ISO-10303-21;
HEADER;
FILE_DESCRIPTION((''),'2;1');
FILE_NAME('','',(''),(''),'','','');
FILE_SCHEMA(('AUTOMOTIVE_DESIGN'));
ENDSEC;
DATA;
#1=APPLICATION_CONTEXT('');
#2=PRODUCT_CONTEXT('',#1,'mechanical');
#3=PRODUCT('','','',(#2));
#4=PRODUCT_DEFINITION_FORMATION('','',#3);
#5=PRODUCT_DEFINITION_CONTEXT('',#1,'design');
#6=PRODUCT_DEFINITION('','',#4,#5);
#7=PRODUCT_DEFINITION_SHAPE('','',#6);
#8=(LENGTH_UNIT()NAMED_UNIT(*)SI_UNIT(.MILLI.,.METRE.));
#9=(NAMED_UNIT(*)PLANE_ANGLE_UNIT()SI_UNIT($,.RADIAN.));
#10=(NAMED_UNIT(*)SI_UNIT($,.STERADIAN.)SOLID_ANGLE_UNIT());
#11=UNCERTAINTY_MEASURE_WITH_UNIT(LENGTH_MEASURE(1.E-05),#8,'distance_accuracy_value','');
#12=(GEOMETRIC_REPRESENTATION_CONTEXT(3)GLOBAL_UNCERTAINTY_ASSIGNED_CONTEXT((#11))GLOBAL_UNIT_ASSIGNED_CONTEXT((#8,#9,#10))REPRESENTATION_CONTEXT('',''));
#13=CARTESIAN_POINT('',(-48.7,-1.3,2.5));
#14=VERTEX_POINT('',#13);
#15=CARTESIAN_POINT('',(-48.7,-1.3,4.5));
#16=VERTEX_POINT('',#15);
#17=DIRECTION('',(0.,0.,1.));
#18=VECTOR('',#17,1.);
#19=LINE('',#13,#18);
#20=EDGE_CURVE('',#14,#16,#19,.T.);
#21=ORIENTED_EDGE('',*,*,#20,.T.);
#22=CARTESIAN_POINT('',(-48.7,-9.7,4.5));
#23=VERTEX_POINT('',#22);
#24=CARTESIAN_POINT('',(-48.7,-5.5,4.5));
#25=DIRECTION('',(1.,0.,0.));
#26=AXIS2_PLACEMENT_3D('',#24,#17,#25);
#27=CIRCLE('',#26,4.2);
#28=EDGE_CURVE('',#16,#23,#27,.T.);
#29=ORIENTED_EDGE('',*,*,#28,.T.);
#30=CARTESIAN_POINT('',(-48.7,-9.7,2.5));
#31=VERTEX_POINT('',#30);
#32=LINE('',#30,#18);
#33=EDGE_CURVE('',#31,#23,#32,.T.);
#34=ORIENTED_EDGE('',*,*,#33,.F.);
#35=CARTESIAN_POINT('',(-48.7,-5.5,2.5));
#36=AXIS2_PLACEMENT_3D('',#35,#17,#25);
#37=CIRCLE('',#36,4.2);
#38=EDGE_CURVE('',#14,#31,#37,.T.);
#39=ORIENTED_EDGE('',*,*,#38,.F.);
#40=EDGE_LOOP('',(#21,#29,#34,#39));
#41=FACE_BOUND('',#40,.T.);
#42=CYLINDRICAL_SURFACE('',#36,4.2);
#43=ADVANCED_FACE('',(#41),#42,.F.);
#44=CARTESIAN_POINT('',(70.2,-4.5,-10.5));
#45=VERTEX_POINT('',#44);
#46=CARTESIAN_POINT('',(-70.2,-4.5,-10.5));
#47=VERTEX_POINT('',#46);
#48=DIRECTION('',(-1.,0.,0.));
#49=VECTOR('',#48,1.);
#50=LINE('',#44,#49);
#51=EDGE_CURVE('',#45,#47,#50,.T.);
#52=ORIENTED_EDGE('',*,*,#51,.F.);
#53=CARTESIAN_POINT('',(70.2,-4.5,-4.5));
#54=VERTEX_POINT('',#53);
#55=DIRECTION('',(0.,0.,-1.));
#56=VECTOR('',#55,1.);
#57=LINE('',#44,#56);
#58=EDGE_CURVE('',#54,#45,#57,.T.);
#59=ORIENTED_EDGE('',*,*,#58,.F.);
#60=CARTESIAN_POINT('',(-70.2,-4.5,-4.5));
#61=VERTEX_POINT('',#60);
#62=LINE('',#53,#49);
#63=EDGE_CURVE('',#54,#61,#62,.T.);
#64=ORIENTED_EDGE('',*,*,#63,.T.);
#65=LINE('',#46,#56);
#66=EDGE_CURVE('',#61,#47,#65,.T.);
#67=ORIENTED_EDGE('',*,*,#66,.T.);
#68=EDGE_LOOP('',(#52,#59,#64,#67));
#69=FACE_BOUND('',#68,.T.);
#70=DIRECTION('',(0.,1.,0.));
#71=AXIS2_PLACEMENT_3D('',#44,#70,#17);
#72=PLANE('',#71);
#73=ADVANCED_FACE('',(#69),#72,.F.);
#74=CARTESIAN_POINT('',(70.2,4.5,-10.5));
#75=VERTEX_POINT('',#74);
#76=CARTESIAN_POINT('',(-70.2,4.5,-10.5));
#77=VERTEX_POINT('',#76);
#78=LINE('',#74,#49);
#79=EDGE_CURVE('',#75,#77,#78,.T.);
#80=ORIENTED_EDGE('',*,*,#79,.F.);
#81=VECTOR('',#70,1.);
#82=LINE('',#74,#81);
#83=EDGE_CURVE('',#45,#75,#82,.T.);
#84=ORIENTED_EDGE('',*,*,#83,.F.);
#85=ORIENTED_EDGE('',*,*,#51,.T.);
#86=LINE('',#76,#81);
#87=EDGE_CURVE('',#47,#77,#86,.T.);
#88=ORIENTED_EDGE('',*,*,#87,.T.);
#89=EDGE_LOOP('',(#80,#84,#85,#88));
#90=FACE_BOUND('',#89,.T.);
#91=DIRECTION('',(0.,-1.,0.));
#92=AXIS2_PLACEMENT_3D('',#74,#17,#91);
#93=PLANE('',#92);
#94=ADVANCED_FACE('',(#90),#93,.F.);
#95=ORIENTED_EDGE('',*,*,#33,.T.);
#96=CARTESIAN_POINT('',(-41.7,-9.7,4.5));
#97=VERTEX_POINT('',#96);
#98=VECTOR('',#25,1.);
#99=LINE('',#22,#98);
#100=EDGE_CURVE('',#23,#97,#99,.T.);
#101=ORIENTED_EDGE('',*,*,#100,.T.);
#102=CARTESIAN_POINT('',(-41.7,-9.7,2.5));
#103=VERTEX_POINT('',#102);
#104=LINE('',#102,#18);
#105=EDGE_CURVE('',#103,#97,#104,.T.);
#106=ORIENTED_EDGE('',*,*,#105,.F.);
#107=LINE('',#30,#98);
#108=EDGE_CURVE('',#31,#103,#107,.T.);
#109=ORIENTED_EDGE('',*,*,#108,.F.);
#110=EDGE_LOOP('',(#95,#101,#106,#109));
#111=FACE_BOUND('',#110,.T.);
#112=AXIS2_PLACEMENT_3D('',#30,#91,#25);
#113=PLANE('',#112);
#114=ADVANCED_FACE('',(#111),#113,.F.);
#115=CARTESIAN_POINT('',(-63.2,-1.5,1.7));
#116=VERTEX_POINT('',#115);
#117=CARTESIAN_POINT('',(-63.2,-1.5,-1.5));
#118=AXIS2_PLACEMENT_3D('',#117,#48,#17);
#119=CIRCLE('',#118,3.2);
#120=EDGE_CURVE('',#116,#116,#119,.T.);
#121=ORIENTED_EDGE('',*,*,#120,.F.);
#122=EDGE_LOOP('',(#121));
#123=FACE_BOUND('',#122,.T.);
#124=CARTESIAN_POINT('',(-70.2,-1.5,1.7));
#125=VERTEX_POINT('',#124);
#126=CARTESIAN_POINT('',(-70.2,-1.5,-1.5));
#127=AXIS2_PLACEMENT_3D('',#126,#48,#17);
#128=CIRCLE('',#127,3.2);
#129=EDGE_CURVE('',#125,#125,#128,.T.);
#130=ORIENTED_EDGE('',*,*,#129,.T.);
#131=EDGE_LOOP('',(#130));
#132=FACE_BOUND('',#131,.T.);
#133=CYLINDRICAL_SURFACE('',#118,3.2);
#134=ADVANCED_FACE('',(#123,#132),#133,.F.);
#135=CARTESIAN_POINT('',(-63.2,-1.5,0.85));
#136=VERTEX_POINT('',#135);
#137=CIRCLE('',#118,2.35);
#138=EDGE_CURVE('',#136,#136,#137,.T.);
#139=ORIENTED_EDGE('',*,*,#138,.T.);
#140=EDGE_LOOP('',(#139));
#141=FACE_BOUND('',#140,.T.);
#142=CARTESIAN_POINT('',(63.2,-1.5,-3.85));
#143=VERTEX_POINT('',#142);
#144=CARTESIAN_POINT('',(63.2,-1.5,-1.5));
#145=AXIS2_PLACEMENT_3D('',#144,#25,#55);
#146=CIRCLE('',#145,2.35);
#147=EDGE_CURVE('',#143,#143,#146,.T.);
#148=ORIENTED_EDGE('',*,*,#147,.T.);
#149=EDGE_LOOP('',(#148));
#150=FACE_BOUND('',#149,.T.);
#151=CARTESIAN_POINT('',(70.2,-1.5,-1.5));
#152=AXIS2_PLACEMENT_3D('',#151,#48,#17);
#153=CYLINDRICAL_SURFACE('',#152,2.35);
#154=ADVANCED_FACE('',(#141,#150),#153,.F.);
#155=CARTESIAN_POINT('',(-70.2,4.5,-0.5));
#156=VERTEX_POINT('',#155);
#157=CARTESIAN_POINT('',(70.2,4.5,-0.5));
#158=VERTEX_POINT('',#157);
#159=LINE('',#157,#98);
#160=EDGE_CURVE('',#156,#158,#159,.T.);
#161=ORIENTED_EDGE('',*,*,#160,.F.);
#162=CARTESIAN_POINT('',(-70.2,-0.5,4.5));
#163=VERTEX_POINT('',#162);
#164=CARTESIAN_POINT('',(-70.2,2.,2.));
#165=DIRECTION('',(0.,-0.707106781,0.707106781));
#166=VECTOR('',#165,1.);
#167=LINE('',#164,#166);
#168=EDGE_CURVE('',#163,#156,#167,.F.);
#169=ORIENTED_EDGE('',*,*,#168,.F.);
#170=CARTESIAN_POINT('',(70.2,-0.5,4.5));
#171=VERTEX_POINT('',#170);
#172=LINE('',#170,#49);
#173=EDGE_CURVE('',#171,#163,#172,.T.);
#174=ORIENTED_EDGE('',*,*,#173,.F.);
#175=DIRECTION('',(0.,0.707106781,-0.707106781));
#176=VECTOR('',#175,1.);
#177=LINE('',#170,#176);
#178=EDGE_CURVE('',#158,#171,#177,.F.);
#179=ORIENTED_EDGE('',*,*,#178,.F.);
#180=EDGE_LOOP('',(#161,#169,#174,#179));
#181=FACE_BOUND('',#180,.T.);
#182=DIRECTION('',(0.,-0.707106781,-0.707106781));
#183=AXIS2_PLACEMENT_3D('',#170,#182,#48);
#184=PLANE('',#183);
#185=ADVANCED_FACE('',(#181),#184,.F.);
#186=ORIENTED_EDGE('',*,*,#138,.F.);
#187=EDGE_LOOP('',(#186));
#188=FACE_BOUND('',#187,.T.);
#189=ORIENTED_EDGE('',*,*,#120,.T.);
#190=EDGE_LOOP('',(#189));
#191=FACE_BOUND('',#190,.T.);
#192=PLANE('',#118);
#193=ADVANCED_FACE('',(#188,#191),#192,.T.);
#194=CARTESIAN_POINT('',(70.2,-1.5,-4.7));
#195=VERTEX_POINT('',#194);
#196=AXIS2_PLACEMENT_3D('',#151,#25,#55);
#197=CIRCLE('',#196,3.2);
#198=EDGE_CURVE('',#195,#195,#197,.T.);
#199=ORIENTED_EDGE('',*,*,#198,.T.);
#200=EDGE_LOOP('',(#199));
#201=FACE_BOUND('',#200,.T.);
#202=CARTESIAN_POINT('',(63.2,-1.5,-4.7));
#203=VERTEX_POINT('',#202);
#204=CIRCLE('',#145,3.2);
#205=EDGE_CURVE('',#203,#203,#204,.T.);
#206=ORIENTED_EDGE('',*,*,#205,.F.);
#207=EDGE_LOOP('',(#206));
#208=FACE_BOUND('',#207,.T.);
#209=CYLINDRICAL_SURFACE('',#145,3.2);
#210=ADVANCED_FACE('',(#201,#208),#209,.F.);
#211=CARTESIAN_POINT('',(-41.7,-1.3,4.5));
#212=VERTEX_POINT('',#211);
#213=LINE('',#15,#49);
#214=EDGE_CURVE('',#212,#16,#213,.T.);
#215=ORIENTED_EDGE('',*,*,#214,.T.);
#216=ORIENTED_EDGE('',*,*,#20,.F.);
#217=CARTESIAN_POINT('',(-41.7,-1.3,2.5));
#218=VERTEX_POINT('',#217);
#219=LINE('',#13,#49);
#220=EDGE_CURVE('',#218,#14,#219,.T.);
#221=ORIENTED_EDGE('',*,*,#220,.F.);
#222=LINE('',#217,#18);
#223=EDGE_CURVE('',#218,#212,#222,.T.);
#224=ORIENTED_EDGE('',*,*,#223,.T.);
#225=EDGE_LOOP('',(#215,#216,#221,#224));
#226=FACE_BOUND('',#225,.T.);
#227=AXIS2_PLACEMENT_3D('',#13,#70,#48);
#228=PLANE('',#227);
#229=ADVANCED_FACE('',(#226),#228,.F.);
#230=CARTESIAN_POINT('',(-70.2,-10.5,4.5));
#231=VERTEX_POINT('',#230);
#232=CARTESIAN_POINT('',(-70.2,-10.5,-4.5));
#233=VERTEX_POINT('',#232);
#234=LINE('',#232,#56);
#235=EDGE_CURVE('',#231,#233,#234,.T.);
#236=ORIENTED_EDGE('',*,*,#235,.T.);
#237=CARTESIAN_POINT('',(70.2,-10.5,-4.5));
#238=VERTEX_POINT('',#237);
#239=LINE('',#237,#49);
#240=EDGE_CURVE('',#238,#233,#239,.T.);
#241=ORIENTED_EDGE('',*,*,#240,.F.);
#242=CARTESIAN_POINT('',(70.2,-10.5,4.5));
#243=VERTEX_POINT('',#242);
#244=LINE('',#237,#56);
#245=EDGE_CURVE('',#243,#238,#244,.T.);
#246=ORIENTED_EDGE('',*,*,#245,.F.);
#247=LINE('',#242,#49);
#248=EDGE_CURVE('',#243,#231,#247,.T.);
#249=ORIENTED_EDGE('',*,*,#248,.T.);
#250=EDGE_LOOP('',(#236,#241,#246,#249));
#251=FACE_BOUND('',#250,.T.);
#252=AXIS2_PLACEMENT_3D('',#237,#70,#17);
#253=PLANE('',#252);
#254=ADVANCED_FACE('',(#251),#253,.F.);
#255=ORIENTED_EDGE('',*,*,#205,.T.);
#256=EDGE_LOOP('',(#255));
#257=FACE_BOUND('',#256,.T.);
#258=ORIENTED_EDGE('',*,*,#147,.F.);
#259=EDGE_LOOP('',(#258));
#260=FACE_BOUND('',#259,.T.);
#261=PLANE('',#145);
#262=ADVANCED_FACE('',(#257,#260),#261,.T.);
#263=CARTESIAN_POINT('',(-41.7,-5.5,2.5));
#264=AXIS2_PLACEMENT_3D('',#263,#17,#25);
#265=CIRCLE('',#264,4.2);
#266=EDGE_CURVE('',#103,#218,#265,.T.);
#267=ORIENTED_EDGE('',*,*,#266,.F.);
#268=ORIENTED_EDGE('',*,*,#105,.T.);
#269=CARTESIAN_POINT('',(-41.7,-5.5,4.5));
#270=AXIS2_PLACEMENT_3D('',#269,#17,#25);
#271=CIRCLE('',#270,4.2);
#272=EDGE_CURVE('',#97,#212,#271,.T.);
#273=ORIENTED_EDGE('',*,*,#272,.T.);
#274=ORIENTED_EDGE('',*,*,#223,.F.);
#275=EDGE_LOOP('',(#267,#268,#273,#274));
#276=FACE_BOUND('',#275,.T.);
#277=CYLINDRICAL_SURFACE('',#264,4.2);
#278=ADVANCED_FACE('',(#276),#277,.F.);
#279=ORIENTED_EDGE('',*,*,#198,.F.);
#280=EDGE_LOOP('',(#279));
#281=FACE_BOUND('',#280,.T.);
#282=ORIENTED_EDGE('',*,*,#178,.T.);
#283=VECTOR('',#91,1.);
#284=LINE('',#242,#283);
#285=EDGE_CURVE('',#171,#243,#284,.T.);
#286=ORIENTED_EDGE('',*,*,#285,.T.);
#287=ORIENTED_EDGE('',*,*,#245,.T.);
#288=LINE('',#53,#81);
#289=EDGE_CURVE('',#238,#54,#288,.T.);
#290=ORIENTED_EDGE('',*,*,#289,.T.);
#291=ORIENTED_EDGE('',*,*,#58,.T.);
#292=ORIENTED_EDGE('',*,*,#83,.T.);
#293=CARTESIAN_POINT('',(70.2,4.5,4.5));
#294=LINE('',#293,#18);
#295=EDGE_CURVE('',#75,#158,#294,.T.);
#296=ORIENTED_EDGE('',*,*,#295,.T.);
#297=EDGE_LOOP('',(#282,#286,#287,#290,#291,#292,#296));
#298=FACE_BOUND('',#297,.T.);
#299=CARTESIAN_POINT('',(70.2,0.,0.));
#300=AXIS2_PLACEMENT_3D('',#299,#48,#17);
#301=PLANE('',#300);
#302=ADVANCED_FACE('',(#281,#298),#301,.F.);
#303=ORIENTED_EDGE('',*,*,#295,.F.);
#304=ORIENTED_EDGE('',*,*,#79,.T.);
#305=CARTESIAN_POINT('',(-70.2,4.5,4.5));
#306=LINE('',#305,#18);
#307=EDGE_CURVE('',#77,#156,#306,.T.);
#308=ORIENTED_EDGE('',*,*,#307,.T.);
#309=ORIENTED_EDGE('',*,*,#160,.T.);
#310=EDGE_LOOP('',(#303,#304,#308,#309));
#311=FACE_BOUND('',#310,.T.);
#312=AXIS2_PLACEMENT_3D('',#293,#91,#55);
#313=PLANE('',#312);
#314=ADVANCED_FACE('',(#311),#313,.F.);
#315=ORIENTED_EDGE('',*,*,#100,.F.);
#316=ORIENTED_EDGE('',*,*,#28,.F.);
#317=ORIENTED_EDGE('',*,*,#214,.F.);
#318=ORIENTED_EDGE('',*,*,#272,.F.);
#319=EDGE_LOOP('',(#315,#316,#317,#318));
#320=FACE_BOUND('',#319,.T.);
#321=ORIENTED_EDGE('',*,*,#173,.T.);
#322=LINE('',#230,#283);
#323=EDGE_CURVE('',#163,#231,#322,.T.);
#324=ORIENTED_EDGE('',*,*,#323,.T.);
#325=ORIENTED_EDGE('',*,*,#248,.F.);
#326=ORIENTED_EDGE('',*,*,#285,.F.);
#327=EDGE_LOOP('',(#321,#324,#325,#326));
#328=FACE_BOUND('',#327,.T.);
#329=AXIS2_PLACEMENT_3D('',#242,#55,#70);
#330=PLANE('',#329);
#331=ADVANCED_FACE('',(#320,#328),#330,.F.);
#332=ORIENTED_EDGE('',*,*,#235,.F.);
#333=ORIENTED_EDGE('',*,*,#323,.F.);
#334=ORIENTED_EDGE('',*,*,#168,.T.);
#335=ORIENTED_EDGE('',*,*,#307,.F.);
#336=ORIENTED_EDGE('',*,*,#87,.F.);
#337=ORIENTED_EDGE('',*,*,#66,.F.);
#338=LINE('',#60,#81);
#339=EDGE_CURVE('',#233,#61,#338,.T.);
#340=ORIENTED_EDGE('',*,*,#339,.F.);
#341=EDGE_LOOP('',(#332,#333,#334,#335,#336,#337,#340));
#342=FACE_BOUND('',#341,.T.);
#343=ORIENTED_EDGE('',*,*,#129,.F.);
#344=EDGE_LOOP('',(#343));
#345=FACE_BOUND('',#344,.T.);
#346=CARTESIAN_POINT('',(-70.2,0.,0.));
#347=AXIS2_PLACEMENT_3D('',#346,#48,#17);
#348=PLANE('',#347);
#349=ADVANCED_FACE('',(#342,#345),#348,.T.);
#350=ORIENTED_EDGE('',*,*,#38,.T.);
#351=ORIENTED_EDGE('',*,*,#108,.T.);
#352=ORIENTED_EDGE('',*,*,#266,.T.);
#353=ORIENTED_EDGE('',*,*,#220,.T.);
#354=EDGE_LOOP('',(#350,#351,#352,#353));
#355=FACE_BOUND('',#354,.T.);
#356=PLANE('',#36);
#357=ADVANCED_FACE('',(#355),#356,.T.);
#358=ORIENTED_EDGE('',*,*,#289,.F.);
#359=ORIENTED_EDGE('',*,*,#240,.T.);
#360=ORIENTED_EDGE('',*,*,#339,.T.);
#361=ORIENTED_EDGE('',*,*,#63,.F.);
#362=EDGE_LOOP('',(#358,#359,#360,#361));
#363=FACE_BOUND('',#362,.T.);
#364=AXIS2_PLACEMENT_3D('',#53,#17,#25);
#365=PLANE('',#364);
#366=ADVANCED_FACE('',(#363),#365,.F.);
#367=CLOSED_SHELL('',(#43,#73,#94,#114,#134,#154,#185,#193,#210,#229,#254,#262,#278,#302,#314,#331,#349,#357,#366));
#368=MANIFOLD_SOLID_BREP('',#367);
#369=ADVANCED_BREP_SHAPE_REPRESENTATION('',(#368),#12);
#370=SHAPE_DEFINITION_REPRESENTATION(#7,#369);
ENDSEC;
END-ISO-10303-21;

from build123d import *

# Parameters (mm, degrees)
ESQUISSE3_R             = 2.35
BOSS_EXTRU_2_DEPTH      = 70.2
CHANFREIN1_SIZE         = 5
ESQUISSE6_R             = 3.2
ESQUISSE6_R_2           = 2.35
ENL_V_MAT_EXTRU_1_DEPTH = 7
ENL_V_START             = -7
ESQUISSE7_R             = 3.2
ESQUISSE7_R_2           = 2.35
ENL_V_MAT_EXTRU_2_DEPTH = 7
ENL_V_MAT_EXTRU_4_DEPTH = 2


with BuildPart() as part:
    # Esquisse3 → Boss.-Extru.2 (new, symmetric)
    with BuildSketch(Plane(origin=(0, 0, 0), x_dir=(0, 0, -1), z_dir=(1, 0, 0))):
        Polygon((-4.5, -10.5), (-4.5, 4.5), (10.5, 4.5), (10.5, -4.5), (4.5, -4.5), (4.5, -10.5), align=None)
        with Locations((1.5, -1.5)):
            Circle(ESQUISSE3_R, mode=Mode.SUBTRACT)
    extrude(amount=BOSS_EXTRU_2_DEPTH, both=True)

    # Chanfrein1
    chanfrein1_edges = [part.edges().sort_by_distance(p)[0] for p in [
        (0, 4.5, 4.5),
    ]]
    chamfer(chanfrein1_edges, length=CHANFREIN1_SIZE)

    # Esquisse6 → Enlèv. mat.-Extru.1 (cut)
    with BuildSketch(Plane.ZY.offset(70.2)):
        with Locations((-1.5, -1.5)):
            Circle(ESQUISSE6_R)
        with Locations((-1.5, -1.5)):
            Circle(ESQUISSE6_R_2, mode=Mode.SUBTRACT)
    extrude(amount=-ENL_V_MAT_EXTRU_1_DEPTH, mode=Mode.SUBTRACT)

    # Esquisse7 → Enlèv. mat.-Extru.2 (cut)
    with BuildSketch(Plane(origin=(70.2, 0, 0), x_dir=(0, 0, -1), z_dir=(1, 0, 0)).offset(ENL_V_START)):
        with Locations(Location((1.5, -1.5, 0), (0, 0, 180))):
            Circle(ESQUISSE7_R)
        with Locations(Location((1.5, -1.5, 0), (0, 0, 180))):
            Circle(ESQUISSE7_R_2, mode=Mode.SUBTRACT)
    extrude(amount=ENL_V_MAT_EXTRU_2_DEPTH, mode=Mode.SUBTRACT)

    # Esquisse9 → Enlèv. mat.-Extru.4 (cut)
    with BuildSketch(Plane.XY.offset(4.5)):
        with BuildLine():
            Line((-48.7, -1.3), (-41.7, -1.3))
            ThreePointArc((-41.7, -1.3), (-37.5, -5.5), (-41.7, -9.7))
            Line((-41.7, -9.7), (-48.7, -9.7))
            ThreePointArc((-48.7, -9.7), (-52.9, -5.5), (-48.7, -1.3))
        make_face()
    extrude(amount=-ENL_V_MAT_EXTRU_4_DEPTH, mode=Mode.SUBTRACT)


solid = part.part
